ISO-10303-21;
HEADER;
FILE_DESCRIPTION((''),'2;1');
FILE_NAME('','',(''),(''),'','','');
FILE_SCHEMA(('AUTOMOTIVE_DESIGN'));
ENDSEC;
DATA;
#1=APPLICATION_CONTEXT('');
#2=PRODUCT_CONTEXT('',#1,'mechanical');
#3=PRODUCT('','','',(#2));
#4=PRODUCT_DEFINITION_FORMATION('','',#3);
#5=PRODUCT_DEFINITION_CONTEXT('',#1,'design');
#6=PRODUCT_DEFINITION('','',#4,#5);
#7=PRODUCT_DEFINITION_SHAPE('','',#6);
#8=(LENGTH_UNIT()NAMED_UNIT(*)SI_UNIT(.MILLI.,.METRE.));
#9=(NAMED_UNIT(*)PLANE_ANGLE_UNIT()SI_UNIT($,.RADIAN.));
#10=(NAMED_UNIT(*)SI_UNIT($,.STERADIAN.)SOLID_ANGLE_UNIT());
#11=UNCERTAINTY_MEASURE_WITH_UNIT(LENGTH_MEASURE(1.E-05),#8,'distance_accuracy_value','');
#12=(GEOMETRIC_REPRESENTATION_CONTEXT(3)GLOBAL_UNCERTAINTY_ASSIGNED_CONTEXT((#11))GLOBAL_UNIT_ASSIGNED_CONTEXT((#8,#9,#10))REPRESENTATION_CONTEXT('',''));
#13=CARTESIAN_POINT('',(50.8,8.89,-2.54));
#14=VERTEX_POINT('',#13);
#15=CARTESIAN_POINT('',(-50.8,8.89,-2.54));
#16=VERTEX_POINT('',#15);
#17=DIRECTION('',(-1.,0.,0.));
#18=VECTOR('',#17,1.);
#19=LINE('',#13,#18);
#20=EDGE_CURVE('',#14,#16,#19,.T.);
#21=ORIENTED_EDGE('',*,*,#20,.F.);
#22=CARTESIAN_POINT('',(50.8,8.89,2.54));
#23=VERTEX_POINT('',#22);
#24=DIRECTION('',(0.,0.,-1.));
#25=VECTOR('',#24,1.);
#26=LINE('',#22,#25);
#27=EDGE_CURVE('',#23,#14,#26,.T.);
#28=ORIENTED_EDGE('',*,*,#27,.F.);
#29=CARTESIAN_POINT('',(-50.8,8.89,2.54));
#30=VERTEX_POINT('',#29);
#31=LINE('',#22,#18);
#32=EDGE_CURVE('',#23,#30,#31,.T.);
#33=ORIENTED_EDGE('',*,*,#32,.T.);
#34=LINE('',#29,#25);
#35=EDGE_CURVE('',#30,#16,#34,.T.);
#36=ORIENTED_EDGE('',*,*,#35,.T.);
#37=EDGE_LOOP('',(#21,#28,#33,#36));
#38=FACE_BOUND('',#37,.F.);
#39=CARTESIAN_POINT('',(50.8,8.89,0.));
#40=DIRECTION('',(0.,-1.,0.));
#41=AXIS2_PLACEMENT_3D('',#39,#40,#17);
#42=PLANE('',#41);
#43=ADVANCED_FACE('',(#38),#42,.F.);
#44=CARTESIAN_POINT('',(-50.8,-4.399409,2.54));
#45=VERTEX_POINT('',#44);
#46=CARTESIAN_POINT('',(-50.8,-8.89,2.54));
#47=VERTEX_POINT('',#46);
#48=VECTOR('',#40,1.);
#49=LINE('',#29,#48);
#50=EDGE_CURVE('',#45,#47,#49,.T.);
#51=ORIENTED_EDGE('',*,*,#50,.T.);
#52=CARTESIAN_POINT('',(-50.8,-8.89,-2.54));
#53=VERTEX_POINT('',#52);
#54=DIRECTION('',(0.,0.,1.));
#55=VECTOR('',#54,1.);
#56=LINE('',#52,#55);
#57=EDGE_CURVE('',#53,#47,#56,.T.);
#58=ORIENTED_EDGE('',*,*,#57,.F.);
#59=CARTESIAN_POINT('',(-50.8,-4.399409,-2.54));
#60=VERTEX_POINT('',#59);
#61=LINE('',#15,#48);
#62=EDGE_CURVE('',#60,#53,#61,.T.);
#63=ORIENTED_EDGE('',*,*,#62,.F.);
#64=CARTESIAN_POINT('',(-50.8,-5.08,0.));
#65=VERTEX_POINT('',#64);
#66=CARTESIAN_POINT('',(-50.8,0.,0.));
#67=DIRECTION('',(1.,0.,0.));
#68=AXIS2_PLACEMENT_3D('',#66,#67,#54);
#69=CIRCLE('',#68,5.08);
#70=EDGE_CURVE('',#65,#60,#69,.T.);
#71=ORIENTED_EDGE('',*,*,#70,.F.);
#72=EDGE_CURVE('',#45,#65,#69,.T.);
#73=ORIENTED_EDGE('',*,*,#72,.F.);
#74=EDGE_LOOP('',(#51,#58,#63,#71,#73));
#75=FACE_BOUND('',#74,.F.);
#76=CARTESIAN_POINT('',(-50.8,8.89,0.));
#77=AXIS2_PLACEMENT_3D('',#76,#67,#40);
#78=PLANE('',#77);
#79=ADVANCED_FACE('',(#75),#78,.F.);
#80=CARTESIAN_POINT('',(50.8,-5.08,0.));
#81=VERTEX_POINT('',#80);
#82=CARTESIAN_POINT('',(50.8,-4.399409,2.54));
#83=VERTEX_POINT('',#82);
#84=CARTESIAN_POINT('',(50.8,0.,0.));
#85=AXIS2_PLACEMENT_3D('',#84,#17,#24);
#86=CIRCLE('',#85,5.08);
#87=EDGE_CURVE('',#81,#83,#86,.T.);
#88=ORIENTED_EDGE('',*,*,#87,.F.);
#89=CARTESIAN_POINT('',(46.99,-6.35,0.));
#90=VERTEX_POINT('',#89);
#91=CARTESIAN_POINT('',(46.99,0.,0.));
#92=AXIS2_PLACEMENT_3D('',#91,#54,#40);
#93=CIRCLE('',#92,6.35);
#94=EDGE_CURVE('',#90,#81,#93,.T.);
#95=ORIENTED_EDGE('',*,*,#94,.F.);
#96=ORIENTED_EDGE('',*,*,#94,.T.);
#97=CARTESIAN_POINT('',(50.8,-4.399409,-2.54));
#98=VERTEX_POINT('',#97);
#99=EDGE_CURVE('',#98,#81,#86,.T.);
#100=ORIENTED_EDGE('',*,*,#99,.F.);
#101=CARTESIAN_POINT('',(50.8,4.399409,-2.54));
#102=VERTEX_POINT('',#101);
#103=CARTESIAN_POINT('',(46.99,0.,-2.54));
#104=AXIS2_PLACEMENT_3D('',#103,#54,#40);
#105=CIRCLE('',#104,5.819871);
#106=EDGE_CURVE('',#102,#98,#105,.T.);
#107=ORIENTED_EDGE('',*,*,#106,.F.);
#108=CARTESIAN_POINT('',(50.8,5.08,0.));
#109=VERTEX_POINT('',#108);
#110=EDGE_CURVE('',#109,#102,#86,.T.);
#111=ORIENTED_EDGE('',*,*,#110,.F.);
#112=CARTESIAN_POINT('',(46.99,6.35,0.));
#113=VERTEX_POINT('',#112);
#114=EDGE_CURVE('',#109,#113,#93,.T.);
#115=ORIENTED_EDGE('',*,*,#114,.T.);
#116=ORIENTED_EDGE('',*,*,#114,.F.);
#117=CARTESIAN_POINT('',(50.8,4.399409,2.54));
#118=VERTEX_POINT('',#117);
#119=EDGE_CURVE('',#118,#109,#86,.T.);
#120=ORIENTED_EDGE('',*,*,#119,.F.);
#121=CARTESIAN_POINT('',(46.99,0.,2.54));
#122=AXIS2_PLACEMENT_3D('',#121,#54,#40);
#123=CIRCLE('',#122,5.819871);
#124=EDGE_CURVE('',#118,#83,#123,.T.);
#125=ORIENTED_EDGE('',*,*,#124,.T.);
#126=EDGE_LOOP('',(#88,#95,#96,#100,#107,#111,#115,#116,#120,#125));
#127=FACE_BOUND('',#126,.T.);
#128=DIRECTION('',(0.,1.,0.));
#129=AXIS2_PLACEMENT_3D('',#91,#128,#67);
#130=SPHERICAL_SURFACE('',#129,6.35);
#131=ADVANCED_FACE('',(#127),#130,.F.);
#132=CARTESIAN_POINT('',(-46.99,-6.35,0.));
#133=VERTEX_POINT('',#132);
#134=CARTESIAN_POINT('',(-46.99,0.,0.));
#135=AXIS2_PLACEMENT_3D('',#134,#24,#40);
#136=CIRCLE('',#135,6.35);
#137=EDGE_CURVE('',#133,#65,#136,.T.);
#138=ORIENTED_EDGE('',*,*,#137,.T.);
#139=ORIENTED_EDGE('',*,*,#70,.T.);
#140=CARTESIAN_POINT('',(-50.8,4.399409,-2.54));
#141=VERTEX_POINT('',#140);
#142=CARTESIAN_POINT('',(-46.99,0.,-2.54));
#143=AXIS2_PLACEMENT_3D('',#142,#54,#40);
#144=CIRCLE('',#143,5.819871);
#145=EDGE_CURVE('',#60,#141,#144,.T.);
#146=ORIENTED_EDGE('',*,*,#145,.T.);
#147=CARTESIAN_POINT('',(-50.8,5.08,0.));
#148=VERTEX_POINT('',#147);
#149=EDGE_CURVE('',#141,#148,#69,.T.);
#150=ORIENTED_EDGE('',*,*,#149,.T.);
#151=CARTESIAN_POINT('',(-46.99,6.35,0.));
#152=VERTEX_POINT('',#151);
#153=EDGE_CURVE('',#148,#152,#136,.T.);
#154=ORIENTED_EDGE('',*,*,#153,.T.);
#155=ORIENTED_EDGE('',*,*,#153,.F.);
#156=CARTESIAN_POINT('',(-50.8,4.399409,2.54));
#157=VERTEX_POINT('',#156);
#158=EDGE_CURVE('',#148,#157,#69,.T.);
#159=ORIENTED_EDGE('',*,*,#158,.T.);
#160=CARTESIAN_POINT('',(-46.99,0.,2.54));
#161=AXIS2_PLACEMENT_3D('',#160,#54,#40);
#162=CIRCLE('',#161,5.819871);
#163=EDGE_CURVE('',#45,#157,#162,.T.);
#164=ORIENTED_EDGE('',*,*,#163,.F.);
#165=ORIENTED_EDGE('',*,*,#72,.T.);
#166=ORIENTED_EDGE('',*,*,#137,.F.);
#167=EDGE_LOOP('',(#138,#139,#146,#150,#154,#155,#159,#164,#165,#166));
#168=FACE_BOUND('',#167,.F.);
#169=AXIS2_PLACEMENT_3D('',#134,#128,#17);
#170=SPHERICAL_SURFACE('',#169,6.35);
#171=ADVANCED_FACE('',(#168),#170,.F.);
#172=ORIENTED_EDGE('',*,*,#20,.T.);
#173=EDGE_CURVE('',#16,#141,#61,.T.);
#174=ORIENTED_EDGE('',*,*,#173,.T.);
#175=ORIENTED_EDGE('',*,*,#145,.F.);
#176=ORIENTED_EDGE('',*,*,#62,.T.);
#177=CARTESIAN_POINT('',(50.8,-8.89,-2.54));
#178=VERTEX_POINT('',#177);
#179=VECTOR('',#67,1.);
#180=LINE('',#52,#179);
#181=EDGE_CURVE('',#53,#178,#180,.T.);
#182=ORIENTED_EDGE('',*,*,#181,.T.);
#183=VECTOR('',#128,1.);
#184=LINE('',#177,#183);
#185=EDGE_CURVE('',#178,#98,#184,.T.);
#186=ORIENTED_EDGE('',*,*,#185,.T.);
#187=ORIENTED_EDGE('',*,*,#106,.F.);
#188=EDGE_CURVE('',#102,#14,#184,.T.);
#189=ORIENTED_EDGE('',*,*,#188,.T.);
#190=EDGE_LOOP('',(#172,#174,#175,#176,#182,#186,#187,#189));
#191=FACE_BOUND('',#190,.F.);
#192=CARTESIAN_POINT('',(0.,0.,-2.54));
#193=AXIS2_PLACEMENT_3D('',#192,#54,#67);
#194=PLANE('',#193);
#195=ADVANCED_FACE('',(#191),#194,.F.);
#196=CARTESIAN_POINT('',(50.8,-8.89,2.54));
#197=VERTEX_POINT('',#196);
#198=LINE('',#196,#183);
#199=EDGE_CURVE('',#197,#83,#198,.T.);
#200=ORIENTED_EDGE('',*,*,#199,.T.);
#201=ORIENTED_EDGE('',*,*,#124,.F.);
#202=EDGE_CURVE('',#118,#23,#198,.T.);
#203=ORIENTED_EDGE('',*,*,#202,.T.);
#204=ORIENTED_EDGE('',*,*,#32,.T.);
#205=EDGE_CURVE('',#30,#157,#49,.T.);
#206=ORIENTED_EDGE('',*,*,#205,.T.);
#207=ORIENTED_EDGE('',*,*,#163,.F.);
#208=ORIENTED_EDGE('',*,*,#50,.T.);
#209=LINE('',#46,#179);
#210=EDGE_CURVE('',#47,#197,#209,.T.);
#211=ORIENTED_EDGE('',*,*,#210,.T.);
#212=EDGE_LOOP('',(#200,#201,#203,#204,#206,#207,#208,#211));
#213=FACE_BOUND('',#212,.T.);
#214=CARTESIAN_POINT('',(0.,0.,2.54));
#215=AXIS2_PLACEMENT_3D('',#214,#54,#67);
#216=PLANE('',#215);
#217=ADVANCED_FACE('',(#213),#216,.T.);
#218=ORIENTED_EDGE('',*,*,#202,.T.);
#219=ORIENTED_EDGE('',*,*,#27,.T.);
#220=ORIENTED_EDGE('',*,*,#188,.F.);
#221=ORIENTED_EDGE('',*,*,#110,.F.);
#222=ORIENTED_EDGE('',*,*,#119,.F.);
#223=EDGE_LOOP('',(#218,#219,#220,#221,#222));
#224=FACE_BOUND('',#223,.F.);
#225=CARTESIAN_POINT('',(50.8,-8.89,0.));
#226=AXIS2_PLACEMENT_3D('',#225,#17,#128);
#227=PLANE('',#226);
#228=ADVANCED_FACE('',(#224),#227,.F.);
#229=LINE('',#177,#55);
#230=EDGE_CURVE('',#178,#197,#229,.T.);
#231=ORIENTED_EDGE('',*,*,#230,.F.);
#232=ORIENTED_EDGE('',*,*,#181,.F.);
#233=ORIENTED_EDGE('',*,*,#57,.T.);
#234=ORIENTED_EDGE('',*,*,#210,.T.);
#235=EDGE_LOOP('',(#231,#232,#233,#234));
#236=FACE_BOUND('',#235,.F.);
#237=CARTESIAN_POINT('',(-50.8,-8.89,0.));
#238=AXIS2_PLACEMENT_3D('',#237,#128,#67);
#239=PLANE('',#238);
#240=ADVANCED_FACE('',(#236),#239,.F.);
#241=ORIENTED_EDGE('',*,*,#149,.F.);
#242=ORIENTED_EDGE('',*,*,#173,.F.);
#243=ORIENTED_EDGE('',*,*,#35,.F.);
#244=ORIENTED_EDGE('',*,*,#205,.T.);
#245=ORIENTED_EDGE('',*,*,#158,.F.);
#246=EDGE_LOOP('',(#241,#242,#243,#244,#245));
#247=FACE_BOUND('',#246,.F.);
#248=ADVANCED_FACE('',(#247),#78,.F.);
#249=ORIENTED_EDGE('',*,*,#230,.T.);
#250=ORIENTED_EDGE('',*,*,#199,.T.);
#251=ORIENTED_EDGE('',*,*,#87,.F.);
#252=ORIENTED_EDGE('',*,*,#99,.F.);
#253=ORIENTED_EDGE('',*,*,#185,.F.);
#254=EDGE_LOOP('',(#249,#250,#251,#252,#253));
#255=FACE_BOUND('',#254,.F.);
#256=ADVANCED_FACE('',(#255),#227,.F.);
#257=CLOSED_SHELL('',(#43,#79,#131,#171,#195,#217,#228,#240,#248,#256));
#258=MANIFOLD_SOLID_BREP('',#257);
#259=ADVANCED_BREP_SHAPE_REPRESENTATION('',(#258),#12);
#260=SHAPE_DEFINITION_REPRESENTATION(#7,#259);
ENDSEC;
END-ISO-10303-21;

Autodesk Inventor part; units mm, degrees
ref_plane "YZ Plane" through (0, 0, 0) normal (1, 0, 0) x (0, 1, 0)
ref_plane "XZ Plane" through (0, 0, 0) normal (0, 1, 0) x (-1, 0, 0)
ref_plane "XY Plane" through (0, 0, 0) normal (0, 0, 1) x (1, 0, 0)
sketch "Sketch1" plane through (0, 0, 0) normal (0, 0, 1) x (1, 0, 0)
  line L0 (-50.8, -8.89) -> (50.8, -8.89)
  line L1 (50.8, -8.89) -> (50.8, 8.89)
  line L2 (50.8, 8.89) -> (-50.8, 8.89)
  line L3 (-50.8, 8.89) -> (-50.8, -8.89)
  line L4 (-50.8, -8.89) -> (50.8, 8.89) construction
  line L5 (50.8, -8.89) -> (-50.8, 8.89) construction
  point P0 (0, 0)
  dimension "d18" = 17.78
  dimension "d19" = 101.6
extrude "Extrusion1" add sketch "Sketch1" along normal mid plane 5.08
sketch "Sketch4" plane through (0, 0, 0) normal (0, 0, 1) x (1, 0, 0)
  line L0 (-50.8, -8.89) -> (-50.8, 8.89) construction
  line L1 (-50.8, 8.89) -> (50.8, 8.89) construction
  line L2 (50.8, 8.89) -> (50.8, -8.89) construction
  line L3 (50.8, -8.89) -> (-50.8, -8.89) construction
  arc A0 (46.99, -6.35) -> (46.99, 6.35) centre (46.99, 0) ccw
  line L4 (46.99, 6.35) -> (46.99, -6.35)
  point P0 (0, 0)
  point P1 (50.8, 0)
  dimension "d20" = 6.35
  dimension "d21" = 3.81
revolve "Revolution2" cut sketch "Sketch4" angle 360 about axis through (46.99, 6.35, 0) along (0, -1, 0)
mirror "Mirror1" about plane through (0, 0, 0) normal (1, 0, 0) of "Revolution2"
properties part number "deltabot arm"
